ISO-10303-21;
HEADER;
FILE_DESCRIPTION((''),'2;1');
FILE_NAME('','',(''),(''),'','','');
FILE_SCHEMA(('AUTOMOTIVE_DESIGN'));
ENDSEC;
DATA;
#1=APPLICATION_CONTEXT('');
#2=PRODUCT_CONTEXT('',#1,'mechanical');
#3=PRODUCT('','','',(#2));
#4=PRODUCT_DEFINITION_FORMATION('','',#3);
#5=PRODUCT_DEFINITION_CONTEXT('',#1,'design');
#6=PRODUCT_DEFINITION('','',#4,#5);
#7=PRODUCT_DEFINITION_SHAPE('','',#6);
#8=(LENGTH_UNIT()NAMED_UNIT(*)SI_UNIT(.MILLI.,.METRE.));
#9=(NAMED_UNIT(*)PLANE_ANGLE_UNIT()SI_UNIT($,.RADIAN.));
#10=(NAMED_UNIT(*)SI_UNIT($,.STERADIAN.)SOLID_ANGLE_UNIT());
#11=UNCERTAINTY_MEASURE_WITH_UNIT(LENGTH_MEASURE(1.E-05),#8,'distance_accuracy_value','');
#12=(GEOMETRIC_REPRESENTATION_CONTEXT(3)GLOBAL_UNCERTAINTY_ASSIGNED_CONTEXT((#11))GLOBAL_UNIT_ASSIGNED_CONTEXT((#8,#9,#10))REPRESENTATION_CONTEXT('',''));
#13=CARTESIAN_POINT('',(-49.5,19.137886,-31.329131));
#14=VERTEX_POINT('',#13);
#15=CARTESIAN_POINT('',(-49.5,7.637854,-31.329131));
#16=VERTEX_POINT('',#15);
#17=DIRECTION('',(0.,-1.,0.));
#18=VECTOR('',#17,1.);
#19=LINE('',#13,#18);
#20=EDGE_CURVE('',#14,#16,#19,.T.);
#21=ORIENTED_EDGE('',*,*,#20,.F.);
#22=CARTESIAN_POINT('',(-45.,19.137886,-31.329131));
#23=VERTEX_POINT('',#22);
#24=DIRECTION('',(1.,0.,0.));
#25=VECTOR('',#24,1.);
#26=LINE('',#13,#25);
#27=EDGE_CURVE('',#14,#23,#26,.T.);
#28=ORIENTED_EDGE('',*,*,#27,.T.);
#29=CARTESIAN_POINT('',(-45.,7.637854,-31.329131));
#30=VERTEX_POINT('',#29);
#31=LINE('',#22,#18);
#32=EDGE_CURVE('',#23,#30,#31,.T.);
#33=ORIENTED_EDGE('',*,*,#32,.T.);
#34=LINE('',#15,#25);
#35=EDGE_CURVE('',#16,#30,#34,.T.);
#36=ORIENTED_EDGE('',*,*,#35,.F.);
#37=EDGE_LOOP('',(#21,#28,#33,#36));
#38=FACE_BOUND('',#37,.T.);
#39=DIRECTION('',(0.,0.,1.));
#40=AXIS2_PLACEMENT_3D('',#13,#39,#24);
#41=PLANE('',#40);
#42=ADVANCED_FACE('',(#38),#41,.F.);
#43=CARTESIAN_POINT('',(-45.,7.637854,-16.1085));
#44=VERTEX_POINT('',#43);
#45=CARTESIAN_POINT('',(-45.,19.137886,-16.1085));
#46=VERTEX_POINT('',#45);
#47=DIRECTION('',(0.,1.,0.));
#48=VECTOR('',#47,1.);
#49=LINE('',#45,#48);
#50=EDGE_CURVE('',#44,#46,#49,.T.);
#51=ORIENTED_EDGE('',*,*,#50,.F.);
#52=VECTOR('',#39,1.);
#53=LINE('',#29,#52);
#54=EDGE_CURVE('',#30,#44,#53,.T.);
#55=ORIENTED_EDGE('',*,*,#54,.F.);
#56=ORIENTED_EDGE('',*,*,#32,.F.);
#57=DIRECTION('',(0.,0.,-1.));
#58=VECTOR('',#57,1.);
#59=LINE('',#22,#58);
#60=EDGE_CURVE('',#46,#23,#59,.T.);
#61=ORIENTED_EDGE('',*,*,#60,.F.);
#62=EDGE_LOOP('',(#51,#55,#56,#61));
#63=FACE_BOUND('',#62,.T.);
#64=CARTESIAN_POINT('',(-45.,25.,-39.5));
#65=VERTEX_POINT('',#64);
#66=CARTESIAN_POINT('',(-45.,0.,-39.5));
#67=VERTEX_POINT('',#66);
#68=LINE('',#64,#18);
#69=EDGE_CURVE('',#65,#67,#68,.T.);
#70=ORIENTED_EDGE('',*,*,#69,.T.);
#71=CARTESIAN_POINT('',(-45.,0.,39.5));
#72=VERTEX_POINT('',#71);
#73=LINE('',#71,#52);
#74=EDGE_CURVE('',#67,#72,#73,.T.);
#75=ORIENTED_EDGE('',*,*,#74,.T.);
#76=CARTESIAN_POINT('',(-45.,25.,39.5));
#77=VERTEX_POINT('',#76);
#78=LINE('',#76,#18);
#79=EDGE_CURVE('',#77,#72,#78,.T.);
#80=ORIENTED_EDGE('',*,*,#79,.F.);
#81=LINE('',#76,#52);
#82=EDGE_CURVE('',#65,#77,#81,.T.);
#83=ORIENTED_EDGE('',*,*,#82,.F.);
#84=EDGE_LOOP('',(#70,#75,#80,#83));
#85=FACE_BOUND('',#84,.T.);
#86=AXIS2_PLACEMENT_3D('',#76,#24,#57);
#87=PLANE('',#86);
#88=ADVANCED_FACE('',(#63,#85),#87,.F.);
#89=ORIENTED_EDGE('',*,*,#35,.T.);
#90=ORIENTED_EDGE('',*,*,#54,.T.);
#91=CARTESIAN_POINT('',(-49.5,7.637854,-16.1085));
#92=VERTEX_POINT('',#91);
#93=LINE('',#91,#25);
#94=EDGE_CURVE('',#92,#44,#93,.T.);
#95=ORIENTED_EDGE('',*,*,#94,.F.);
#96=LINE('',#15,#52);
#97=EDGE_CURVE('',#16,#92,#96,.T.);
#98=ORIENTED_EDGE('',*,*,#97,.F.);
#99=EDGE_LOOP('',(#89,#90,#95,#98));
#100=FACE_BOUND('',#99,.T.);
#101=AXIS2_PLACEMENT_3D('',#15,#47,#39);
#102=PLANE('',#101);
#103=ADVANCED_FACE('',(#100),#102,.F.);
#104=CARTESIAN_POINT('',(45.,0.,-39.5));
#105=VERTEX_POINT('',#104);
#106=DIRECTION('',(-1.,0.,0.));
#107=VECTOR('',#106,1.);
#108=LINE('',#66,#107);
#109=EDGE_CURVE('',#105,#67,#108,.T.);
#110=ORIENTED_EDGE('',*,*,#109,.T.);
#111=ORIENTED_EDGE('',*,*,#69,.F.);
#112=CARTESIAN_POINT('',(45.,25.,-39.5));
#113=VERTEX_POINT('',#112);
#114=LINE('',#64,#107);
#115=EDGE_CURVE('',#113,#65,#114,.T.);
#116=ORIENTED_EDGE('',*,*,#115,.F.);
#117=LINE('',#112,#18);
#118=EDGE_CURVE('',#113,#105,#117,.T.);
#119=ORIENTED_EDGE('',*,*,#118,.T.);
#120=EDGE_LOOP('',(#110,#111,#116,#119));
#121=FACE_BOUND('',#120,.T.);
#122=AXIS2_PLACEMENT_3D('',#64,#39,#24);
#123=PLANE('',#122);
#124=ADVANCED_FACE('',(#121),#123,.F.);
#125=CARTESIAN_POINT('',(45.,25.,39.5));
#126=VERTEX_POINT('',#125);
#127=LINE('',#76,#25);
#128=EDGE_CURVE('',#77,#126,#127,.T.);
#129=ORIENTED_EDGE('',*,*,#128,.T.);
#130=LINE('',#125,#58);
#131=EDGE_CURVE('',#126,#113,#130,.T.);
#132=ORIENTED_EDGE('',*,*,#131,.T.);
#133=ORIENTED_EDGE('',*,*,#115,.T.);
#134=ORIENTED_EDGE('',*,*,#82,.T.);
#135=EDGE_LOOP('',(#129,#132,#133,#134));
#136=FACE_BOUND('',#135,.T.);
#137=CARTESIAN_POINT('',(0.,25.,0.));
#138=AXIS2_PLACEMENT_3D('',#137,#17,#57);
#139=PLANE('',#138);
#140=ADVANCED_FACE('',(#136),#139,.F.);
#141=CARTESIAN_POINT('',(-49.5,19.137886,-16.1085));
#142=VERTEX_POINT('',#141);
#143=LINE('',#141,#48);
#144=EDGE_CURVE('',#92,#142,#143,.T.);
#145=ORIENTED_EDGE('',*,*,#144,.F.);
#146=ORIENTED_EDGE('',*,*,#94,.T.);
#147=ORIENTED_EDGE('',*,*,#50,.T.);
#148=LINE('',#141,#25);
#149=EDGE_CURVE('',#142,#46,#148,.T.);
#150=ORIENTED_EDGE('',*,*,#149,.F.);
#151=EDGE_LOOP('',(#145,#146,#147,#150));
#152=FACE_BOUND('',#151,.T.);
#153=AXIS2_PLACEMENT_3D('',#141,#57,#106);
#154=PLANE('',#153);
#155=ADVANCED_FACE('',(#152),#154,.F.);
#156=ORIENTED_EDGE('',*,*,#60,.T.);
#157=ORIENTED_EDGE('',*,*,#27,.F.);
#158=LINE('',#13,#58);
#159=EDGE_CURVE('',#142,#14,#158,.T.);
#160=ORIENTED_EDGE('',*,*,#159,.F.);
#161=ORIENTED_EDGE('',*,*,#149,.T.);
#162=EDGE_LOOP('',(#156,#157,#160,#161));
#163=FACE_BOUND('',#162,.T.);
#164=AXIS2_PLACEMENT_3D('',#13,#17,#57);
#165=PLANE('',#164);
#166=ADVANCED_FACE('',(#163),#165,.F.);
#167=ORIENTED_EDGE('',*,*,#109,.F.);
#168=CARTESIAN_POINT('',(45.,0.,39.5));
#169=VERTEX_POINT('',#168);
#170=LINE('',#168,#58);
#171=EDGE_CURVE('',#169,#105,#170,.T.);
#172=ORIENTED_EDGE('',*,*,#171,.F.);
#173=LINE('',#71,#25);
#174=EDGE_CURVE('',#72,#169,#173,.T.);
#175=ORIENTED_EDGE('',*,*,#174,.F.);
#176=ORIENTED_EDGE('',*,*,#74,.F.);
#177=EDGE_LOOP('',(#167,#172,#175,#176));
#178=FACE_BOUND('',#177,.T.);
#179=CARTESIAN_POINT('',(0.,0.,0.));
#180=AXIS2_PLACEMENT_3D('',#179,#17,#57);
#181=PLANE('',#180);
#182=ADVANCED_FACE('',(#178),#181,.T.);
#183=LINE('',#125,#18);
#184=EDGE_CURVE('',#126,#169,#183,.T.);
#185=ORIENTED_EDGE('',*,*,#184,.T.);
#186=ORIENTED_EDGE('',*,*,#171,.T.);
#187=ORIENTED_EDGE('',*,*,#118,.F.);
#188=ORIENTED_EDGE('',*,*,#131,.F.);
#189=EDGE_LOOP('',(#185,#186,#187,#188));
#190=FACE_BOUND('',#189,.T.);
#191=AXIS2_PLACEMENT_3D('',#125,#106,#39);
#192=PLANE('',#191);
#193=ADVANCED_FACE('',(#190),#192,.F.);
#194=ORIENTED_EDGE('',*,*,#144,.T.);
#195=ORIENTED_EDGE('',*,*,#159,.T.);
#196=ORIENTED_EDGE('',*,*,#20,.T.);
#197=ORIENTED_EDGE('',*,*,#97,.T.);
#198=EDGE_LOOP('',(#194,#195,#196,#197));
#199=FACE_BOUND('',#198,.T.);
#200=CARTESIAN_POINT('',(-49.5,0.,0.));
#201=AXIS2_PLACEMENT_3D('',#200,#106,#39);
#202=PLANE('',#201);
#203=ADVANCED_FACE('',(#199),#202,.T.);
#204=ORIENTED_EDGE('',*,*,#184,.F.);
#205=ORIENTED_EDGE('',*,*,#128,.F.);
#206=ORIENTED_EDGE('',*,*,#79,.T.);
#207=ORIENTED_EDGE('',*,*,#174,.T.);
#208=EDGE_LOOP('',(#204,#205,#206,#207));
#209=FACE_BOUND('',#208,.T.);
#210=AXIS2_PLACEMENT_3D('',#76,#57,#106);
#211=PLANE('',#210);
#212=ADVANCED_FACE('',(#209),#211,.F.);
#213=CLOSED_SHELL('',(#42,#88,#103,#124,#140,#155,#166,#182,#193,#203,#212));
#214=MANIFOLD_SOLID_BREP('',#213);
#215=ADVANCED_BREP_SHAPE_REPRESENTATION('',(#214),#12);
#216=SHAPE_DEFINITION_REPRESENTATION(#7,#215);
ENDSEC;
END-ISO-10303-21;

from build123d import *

# Parameters (mm, degrees)
SKETCH1_W           = 90
SKETCH1_H           = 79
BOSS_EXTRUDE1_DEPTH = 25
SKETCH2_W           = 15.220630369
SKETCH2_H           = 11.500031834
BOSS_EXTRUDE2_DEPTH = 4.5


with BuildPart() as part:
    # Sketch1 → Boss-Extrude1 (new body)
    with BuildSketch(Plane(origin=(0, 0, 0), x_dir=(1, 0, 0), z_dir=(0, 1, 0))):
        Rectangle(SKETCH1_W, SKETCH1_H)
    extrude(amount=BOSS_EXTRUDE1_DEPTH)

    # Sketch2 → Boss-Extrude2 (add)
    with BuildSketch(Plane.ZY.offset(45)):
        with Locations((-23.718815658, 13.387870105)):
            Rectangle(SKETCH2_W, SKETCH2_H)
    extrude(amount=BOSS_EXTRUDE2_DEPTH)


solid = part.part
